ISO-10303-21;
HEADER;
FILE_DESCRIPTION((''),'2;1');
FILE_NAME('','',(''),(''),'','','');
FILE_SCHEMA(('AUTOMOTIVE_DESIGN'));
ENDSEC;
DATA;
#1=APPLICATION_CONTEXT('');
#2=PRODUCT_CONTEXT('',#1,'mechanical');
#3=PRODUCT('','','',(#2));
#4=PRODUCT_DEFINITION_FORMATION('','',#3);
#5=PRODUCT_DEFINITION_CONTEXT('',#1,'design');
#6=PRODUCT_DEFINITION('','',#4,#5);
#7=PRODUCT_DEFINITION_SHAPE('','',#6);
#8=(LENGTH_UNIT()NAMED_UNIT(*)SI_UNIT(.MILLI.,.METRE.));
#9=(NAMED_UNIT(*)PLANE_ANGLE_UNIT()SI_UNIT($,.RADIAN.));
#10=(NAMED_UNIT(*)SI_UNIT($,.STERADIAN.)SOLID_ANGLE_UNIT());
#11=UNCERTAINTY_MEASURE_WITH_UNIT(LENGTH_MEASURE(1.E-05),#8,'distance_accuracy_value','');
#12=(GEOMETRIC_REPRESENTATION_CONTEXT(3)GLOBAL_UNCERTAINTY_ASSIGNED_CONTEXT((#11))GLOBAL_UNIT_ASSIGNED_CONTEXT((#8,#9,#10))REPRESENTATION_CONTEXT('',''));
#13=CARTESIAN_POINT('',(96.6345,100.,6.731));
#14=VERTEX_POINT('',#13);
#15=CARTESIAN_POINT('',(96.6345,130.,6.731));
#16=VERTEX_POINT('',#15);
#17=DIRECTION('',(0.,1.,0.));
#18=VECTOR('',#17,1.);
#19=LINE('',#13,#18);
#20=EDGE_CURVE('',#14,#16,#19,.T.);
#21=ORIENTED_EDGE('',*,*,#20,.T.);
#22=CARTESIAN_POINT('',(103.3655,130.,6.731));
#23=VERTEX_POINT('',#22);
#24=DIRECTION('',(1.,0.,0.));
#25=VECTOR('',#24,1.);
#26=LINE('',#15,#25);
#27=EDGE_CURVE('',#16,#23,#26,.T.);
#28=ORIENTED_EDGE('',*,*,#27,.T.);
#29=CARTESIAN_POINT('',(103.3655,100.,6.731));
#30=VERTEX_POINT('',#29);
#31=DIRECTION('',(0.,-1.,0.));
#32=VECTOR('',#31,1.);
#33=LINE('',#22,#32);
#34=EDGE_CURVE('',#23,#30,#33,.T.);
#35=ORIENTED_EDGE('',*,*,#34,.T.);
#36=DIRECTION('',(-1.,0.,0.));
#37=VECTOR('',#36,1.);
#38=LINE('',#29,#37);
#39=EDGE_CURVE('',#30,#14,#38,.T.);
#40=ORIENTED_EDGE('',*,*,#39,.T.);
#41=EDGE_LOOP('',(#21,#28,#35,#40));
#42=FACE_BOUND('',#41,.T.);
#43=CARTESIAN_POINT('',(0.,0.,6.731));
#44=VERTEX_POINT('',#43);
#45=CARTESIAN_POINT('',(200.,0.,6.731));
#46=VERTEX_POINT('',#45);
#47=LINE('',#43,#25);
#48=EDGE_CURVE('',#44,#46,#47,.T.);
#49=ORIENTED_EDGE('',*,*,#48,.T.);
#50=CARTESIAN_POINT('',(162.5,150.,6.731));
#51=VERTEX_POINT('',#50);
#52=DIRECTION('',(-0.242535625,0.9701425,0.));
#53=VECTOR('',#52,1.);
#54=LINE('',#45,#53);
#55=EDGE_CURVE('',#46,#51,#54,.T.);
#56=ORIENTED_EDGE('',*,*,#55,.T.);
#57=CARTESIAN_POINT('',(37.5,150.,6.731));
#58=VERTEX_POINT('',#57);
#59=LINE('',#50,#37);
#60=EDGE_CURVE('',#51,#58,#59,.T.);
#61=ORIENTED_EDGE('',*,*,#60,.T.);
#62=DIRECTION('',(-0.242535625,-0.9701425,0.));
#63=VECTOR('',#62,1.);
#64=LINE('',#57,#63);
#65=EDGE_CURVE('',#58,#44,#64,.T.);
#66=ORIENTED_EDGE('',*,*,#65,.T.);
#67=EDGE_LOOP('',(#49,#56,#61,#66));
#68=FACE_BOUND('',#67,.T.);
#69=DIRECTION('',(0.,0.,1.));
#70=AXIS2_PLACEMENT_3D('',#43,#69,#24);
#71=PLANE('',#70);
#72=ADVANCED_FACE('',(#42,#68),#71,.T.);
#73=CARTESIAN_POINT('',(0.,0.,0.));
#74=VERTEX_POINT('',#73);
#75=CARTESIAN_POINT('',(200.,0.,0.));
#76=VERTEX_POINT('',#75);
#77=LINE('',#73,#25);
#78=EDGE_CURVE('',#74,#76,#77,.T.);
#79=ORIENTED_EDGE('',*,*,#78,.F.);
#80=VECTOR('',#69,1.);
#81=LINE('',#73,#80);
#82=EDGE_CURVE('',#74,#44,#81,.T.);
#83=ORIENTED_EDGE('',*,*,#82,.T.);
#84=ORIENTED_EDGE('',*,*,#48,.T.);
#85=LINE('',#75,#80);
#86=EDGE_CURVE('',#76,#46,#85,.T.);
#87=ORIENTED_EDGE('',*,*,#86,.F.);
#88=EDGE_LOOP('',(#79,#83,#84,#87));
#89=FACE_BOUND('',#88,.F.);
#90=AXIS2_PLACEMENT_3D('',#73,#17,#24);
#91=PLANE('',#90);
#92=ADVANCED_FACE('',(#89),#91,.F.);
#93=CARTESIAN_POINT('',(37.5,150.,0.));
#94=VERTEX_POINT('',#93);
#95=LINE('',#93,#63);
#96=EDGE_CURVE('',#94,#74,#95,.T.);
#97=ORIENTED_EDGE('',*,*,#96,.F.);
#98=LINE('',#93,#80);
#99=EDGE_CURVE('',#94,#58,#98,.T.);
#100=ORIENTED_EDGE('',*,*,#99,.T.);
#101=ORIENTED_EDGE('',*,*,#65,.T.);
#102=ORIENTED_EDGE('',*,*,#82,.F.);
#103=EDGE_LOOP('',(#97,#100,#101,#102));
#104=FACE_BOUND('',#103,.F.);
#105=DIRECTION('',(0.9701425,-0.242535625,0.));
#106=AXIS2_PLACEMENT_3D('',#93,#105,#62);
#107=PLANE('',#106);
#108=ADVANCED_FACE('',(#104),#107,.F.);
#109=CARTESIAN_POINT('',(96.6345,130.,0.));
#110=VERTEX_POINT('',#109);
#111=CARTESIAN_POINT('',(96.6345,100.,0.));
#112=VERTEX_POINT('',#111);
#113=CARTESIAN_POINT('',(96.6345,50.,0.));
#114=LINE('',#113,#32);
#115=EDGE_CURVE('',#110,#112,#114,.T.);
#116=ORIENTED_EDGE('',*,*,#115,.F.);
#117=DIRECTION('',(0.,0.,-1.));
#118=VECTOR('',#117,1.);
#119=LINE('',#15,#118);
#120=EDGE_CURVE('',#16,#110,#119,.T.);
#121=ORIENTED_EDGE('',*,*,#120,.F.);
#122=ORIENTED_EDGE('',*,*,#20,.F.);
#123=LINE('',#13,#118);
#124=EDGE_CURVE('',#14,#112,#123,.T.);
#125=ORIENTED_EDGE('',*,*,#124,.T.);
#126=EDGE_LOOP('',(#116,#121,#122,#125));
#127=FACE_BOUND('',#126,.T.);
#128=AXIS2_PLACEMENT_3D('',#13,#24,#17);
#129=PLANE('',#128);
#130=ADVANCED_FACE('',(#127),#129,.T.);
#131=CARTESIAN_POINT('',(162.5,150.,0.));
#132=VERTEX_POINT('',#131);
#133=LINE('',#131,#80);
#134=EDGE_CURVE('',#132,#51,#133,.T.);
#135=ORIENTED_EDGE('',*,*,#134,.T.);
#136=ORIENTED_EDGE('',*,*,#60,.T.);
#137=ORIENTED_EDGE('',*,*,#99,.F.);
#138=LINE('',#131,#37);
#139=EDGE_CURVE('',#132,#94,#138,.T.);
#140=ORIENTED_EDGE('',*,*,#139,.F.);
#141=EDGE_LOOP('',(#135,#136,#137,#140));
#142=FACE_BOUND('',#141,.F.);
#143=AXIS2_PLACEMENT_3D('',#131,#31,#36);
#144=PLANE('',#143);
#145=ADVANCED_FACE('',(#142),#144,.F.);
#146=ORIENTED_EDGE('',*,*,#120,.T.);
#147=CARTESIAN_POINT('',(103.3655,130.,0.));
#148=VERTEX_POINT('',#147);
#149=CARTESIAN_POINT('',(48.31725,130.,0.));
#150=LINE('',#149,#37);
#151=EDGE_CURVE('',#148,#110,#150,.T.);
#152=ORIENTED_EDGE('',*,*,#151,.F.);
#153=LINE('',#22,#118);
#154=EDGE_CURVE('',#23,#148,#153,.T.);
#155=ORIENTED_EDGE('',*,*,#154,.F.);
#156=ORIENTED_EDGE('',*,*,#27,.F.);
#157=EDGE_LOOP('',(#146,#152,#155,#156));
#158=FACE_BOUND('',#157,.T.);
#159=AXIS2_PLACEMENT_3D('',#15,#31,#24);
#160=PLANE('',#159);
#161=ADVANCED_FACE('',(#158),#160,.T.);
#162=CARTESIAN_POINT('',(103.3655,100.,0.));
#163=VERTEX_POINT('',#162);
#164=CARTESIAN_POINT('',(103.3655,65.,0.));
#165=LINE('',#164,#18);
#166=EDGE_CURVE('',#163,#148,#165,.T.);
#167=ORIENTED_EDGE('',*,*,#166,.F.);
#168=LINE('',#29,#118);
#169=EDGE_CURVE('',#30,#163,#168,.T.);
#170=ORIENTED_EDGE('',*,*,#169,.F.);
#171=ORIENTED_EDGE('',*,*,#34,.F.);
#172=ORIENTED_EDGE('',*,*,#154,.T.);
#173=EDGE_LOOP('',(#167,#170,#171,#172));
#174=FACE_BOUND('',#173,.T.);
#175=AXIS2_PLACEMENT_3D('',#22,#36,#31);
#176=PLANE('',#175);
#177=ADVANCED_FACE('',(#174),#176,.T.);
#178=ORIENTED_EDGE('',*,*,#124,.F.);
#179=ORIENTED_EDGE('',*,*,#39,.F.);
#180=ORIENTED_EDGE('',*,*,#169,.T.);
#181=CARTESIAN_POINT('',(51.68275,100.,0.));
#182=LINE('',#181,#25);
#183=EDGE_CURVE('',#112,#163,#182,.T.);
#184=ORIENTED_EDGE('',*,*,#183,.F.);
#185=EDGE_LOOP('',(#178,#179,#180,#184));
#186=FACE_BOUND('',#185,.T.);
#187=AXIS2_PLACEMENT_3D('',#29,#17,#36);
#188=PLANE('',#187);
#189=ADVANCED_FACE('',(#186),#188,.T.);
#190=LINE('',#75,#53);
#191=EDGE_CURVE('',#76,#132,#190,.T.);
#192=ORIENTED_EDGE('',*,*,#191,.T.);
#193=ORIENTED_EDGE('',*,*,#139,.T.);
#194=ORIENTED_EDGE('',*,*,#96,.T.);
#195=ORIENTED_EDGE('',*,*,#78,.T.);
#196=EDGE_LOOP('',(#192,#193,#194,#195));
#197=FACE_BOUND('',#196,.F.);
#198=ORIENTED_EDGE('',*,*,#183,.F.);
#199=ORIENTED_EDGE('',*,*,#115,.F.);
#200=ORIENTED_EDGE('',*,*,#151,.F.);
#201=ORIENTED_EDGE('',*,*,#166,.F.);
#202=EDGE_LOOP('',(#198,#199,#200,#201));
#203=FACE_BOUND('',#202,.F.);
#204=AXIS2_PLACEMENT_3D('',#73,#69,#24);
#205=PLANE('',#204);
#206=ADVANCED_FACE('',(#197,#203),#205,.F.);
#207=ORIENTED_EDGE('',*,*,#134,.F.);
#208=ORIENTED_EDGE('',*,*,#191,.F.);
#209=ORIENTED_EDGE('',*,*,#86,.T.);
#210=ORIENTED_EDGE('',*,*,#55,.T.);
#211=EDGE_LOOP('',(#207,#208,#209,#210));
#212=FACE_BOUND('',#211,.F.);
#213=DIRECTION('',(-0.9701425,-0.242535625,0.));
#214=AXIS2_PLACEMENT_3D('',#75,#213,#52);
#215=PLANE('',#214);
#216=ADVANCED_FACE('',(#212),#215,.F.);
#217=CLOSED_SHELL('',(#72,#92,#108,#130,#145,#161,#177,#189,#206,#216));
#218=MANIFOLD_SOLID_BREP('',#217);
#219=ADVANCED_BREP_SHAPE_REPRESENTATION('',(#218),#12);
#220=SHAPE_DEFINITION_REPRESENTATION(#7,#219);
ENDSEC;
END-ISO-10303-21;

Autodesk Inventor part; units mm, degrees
ref_plane "YZ Plane" through (0, 0, 0) normal (1, 0, 0) x (0, 1, 0)
ref_plane "XZ Plane" through (0, 0, 0) normal (0, 1, 0) x (-1, 0, 0)
ref_plane "XY Plane" through (0, 0, 0) normal (0, 0, 1) x (1, 0, 0)
sketch "Sketch1" plane through (0, 0, 0) normal (0, 0, 1) x (1, 0, 0)
  line L0 (0, 0) -> (200, 0)
  line L1 (200, 0) -> (162.5, 150)
  line L2 (162.5, 150) -> (37.5, 150)
  line L3 (37.5, 150) -> (0, 0)
  dimension "d0" = 150
  dimension "d1" = 200
  dimension "d2" = 125
extrude "Extrusion1" add sketch "Sketch1" along normal blind 6.731
sketch "Sketch2" plane through (0, 0, 6.731) normal (0, 0, 1) x (1, 0, 0)
  line L0 (0, 0) -> (200, 0) projected
  line L1 (162.5, 150) -> (37.5, 150) projected
  line L2 (96.6345, 130) -> (103.3655, 130)
  line L3 (103.3655, 130) -> (103.3655, 100)
  line L4 (103.3655, 100) -> (96.6345, 100)
  line L5 (96.6345, 100) -> (96.6345, 130)
  point P0 (100, 130)
  point P1 (100, 150)
  dimension "d5" = 30
  dimension "d6" = 100
  dimension "d7" = 6.731
extrude "Extrusion2" cut sketch "Sketch2" against normal up to next
equation "\"d3\" = THICKB"
equation "\"d7\" = THICKB"
equation "\"THICKA\" = 3.175"
equation "\"THICKB\" = 6.731"
equation "\"THICKC\" = 12.7"
equation "\"THICKPLY\" = 5"
equation "\"MAGDIA\" = 9.5"
equation "\"BALLDIA\" = 12"
properties part number "Side"
